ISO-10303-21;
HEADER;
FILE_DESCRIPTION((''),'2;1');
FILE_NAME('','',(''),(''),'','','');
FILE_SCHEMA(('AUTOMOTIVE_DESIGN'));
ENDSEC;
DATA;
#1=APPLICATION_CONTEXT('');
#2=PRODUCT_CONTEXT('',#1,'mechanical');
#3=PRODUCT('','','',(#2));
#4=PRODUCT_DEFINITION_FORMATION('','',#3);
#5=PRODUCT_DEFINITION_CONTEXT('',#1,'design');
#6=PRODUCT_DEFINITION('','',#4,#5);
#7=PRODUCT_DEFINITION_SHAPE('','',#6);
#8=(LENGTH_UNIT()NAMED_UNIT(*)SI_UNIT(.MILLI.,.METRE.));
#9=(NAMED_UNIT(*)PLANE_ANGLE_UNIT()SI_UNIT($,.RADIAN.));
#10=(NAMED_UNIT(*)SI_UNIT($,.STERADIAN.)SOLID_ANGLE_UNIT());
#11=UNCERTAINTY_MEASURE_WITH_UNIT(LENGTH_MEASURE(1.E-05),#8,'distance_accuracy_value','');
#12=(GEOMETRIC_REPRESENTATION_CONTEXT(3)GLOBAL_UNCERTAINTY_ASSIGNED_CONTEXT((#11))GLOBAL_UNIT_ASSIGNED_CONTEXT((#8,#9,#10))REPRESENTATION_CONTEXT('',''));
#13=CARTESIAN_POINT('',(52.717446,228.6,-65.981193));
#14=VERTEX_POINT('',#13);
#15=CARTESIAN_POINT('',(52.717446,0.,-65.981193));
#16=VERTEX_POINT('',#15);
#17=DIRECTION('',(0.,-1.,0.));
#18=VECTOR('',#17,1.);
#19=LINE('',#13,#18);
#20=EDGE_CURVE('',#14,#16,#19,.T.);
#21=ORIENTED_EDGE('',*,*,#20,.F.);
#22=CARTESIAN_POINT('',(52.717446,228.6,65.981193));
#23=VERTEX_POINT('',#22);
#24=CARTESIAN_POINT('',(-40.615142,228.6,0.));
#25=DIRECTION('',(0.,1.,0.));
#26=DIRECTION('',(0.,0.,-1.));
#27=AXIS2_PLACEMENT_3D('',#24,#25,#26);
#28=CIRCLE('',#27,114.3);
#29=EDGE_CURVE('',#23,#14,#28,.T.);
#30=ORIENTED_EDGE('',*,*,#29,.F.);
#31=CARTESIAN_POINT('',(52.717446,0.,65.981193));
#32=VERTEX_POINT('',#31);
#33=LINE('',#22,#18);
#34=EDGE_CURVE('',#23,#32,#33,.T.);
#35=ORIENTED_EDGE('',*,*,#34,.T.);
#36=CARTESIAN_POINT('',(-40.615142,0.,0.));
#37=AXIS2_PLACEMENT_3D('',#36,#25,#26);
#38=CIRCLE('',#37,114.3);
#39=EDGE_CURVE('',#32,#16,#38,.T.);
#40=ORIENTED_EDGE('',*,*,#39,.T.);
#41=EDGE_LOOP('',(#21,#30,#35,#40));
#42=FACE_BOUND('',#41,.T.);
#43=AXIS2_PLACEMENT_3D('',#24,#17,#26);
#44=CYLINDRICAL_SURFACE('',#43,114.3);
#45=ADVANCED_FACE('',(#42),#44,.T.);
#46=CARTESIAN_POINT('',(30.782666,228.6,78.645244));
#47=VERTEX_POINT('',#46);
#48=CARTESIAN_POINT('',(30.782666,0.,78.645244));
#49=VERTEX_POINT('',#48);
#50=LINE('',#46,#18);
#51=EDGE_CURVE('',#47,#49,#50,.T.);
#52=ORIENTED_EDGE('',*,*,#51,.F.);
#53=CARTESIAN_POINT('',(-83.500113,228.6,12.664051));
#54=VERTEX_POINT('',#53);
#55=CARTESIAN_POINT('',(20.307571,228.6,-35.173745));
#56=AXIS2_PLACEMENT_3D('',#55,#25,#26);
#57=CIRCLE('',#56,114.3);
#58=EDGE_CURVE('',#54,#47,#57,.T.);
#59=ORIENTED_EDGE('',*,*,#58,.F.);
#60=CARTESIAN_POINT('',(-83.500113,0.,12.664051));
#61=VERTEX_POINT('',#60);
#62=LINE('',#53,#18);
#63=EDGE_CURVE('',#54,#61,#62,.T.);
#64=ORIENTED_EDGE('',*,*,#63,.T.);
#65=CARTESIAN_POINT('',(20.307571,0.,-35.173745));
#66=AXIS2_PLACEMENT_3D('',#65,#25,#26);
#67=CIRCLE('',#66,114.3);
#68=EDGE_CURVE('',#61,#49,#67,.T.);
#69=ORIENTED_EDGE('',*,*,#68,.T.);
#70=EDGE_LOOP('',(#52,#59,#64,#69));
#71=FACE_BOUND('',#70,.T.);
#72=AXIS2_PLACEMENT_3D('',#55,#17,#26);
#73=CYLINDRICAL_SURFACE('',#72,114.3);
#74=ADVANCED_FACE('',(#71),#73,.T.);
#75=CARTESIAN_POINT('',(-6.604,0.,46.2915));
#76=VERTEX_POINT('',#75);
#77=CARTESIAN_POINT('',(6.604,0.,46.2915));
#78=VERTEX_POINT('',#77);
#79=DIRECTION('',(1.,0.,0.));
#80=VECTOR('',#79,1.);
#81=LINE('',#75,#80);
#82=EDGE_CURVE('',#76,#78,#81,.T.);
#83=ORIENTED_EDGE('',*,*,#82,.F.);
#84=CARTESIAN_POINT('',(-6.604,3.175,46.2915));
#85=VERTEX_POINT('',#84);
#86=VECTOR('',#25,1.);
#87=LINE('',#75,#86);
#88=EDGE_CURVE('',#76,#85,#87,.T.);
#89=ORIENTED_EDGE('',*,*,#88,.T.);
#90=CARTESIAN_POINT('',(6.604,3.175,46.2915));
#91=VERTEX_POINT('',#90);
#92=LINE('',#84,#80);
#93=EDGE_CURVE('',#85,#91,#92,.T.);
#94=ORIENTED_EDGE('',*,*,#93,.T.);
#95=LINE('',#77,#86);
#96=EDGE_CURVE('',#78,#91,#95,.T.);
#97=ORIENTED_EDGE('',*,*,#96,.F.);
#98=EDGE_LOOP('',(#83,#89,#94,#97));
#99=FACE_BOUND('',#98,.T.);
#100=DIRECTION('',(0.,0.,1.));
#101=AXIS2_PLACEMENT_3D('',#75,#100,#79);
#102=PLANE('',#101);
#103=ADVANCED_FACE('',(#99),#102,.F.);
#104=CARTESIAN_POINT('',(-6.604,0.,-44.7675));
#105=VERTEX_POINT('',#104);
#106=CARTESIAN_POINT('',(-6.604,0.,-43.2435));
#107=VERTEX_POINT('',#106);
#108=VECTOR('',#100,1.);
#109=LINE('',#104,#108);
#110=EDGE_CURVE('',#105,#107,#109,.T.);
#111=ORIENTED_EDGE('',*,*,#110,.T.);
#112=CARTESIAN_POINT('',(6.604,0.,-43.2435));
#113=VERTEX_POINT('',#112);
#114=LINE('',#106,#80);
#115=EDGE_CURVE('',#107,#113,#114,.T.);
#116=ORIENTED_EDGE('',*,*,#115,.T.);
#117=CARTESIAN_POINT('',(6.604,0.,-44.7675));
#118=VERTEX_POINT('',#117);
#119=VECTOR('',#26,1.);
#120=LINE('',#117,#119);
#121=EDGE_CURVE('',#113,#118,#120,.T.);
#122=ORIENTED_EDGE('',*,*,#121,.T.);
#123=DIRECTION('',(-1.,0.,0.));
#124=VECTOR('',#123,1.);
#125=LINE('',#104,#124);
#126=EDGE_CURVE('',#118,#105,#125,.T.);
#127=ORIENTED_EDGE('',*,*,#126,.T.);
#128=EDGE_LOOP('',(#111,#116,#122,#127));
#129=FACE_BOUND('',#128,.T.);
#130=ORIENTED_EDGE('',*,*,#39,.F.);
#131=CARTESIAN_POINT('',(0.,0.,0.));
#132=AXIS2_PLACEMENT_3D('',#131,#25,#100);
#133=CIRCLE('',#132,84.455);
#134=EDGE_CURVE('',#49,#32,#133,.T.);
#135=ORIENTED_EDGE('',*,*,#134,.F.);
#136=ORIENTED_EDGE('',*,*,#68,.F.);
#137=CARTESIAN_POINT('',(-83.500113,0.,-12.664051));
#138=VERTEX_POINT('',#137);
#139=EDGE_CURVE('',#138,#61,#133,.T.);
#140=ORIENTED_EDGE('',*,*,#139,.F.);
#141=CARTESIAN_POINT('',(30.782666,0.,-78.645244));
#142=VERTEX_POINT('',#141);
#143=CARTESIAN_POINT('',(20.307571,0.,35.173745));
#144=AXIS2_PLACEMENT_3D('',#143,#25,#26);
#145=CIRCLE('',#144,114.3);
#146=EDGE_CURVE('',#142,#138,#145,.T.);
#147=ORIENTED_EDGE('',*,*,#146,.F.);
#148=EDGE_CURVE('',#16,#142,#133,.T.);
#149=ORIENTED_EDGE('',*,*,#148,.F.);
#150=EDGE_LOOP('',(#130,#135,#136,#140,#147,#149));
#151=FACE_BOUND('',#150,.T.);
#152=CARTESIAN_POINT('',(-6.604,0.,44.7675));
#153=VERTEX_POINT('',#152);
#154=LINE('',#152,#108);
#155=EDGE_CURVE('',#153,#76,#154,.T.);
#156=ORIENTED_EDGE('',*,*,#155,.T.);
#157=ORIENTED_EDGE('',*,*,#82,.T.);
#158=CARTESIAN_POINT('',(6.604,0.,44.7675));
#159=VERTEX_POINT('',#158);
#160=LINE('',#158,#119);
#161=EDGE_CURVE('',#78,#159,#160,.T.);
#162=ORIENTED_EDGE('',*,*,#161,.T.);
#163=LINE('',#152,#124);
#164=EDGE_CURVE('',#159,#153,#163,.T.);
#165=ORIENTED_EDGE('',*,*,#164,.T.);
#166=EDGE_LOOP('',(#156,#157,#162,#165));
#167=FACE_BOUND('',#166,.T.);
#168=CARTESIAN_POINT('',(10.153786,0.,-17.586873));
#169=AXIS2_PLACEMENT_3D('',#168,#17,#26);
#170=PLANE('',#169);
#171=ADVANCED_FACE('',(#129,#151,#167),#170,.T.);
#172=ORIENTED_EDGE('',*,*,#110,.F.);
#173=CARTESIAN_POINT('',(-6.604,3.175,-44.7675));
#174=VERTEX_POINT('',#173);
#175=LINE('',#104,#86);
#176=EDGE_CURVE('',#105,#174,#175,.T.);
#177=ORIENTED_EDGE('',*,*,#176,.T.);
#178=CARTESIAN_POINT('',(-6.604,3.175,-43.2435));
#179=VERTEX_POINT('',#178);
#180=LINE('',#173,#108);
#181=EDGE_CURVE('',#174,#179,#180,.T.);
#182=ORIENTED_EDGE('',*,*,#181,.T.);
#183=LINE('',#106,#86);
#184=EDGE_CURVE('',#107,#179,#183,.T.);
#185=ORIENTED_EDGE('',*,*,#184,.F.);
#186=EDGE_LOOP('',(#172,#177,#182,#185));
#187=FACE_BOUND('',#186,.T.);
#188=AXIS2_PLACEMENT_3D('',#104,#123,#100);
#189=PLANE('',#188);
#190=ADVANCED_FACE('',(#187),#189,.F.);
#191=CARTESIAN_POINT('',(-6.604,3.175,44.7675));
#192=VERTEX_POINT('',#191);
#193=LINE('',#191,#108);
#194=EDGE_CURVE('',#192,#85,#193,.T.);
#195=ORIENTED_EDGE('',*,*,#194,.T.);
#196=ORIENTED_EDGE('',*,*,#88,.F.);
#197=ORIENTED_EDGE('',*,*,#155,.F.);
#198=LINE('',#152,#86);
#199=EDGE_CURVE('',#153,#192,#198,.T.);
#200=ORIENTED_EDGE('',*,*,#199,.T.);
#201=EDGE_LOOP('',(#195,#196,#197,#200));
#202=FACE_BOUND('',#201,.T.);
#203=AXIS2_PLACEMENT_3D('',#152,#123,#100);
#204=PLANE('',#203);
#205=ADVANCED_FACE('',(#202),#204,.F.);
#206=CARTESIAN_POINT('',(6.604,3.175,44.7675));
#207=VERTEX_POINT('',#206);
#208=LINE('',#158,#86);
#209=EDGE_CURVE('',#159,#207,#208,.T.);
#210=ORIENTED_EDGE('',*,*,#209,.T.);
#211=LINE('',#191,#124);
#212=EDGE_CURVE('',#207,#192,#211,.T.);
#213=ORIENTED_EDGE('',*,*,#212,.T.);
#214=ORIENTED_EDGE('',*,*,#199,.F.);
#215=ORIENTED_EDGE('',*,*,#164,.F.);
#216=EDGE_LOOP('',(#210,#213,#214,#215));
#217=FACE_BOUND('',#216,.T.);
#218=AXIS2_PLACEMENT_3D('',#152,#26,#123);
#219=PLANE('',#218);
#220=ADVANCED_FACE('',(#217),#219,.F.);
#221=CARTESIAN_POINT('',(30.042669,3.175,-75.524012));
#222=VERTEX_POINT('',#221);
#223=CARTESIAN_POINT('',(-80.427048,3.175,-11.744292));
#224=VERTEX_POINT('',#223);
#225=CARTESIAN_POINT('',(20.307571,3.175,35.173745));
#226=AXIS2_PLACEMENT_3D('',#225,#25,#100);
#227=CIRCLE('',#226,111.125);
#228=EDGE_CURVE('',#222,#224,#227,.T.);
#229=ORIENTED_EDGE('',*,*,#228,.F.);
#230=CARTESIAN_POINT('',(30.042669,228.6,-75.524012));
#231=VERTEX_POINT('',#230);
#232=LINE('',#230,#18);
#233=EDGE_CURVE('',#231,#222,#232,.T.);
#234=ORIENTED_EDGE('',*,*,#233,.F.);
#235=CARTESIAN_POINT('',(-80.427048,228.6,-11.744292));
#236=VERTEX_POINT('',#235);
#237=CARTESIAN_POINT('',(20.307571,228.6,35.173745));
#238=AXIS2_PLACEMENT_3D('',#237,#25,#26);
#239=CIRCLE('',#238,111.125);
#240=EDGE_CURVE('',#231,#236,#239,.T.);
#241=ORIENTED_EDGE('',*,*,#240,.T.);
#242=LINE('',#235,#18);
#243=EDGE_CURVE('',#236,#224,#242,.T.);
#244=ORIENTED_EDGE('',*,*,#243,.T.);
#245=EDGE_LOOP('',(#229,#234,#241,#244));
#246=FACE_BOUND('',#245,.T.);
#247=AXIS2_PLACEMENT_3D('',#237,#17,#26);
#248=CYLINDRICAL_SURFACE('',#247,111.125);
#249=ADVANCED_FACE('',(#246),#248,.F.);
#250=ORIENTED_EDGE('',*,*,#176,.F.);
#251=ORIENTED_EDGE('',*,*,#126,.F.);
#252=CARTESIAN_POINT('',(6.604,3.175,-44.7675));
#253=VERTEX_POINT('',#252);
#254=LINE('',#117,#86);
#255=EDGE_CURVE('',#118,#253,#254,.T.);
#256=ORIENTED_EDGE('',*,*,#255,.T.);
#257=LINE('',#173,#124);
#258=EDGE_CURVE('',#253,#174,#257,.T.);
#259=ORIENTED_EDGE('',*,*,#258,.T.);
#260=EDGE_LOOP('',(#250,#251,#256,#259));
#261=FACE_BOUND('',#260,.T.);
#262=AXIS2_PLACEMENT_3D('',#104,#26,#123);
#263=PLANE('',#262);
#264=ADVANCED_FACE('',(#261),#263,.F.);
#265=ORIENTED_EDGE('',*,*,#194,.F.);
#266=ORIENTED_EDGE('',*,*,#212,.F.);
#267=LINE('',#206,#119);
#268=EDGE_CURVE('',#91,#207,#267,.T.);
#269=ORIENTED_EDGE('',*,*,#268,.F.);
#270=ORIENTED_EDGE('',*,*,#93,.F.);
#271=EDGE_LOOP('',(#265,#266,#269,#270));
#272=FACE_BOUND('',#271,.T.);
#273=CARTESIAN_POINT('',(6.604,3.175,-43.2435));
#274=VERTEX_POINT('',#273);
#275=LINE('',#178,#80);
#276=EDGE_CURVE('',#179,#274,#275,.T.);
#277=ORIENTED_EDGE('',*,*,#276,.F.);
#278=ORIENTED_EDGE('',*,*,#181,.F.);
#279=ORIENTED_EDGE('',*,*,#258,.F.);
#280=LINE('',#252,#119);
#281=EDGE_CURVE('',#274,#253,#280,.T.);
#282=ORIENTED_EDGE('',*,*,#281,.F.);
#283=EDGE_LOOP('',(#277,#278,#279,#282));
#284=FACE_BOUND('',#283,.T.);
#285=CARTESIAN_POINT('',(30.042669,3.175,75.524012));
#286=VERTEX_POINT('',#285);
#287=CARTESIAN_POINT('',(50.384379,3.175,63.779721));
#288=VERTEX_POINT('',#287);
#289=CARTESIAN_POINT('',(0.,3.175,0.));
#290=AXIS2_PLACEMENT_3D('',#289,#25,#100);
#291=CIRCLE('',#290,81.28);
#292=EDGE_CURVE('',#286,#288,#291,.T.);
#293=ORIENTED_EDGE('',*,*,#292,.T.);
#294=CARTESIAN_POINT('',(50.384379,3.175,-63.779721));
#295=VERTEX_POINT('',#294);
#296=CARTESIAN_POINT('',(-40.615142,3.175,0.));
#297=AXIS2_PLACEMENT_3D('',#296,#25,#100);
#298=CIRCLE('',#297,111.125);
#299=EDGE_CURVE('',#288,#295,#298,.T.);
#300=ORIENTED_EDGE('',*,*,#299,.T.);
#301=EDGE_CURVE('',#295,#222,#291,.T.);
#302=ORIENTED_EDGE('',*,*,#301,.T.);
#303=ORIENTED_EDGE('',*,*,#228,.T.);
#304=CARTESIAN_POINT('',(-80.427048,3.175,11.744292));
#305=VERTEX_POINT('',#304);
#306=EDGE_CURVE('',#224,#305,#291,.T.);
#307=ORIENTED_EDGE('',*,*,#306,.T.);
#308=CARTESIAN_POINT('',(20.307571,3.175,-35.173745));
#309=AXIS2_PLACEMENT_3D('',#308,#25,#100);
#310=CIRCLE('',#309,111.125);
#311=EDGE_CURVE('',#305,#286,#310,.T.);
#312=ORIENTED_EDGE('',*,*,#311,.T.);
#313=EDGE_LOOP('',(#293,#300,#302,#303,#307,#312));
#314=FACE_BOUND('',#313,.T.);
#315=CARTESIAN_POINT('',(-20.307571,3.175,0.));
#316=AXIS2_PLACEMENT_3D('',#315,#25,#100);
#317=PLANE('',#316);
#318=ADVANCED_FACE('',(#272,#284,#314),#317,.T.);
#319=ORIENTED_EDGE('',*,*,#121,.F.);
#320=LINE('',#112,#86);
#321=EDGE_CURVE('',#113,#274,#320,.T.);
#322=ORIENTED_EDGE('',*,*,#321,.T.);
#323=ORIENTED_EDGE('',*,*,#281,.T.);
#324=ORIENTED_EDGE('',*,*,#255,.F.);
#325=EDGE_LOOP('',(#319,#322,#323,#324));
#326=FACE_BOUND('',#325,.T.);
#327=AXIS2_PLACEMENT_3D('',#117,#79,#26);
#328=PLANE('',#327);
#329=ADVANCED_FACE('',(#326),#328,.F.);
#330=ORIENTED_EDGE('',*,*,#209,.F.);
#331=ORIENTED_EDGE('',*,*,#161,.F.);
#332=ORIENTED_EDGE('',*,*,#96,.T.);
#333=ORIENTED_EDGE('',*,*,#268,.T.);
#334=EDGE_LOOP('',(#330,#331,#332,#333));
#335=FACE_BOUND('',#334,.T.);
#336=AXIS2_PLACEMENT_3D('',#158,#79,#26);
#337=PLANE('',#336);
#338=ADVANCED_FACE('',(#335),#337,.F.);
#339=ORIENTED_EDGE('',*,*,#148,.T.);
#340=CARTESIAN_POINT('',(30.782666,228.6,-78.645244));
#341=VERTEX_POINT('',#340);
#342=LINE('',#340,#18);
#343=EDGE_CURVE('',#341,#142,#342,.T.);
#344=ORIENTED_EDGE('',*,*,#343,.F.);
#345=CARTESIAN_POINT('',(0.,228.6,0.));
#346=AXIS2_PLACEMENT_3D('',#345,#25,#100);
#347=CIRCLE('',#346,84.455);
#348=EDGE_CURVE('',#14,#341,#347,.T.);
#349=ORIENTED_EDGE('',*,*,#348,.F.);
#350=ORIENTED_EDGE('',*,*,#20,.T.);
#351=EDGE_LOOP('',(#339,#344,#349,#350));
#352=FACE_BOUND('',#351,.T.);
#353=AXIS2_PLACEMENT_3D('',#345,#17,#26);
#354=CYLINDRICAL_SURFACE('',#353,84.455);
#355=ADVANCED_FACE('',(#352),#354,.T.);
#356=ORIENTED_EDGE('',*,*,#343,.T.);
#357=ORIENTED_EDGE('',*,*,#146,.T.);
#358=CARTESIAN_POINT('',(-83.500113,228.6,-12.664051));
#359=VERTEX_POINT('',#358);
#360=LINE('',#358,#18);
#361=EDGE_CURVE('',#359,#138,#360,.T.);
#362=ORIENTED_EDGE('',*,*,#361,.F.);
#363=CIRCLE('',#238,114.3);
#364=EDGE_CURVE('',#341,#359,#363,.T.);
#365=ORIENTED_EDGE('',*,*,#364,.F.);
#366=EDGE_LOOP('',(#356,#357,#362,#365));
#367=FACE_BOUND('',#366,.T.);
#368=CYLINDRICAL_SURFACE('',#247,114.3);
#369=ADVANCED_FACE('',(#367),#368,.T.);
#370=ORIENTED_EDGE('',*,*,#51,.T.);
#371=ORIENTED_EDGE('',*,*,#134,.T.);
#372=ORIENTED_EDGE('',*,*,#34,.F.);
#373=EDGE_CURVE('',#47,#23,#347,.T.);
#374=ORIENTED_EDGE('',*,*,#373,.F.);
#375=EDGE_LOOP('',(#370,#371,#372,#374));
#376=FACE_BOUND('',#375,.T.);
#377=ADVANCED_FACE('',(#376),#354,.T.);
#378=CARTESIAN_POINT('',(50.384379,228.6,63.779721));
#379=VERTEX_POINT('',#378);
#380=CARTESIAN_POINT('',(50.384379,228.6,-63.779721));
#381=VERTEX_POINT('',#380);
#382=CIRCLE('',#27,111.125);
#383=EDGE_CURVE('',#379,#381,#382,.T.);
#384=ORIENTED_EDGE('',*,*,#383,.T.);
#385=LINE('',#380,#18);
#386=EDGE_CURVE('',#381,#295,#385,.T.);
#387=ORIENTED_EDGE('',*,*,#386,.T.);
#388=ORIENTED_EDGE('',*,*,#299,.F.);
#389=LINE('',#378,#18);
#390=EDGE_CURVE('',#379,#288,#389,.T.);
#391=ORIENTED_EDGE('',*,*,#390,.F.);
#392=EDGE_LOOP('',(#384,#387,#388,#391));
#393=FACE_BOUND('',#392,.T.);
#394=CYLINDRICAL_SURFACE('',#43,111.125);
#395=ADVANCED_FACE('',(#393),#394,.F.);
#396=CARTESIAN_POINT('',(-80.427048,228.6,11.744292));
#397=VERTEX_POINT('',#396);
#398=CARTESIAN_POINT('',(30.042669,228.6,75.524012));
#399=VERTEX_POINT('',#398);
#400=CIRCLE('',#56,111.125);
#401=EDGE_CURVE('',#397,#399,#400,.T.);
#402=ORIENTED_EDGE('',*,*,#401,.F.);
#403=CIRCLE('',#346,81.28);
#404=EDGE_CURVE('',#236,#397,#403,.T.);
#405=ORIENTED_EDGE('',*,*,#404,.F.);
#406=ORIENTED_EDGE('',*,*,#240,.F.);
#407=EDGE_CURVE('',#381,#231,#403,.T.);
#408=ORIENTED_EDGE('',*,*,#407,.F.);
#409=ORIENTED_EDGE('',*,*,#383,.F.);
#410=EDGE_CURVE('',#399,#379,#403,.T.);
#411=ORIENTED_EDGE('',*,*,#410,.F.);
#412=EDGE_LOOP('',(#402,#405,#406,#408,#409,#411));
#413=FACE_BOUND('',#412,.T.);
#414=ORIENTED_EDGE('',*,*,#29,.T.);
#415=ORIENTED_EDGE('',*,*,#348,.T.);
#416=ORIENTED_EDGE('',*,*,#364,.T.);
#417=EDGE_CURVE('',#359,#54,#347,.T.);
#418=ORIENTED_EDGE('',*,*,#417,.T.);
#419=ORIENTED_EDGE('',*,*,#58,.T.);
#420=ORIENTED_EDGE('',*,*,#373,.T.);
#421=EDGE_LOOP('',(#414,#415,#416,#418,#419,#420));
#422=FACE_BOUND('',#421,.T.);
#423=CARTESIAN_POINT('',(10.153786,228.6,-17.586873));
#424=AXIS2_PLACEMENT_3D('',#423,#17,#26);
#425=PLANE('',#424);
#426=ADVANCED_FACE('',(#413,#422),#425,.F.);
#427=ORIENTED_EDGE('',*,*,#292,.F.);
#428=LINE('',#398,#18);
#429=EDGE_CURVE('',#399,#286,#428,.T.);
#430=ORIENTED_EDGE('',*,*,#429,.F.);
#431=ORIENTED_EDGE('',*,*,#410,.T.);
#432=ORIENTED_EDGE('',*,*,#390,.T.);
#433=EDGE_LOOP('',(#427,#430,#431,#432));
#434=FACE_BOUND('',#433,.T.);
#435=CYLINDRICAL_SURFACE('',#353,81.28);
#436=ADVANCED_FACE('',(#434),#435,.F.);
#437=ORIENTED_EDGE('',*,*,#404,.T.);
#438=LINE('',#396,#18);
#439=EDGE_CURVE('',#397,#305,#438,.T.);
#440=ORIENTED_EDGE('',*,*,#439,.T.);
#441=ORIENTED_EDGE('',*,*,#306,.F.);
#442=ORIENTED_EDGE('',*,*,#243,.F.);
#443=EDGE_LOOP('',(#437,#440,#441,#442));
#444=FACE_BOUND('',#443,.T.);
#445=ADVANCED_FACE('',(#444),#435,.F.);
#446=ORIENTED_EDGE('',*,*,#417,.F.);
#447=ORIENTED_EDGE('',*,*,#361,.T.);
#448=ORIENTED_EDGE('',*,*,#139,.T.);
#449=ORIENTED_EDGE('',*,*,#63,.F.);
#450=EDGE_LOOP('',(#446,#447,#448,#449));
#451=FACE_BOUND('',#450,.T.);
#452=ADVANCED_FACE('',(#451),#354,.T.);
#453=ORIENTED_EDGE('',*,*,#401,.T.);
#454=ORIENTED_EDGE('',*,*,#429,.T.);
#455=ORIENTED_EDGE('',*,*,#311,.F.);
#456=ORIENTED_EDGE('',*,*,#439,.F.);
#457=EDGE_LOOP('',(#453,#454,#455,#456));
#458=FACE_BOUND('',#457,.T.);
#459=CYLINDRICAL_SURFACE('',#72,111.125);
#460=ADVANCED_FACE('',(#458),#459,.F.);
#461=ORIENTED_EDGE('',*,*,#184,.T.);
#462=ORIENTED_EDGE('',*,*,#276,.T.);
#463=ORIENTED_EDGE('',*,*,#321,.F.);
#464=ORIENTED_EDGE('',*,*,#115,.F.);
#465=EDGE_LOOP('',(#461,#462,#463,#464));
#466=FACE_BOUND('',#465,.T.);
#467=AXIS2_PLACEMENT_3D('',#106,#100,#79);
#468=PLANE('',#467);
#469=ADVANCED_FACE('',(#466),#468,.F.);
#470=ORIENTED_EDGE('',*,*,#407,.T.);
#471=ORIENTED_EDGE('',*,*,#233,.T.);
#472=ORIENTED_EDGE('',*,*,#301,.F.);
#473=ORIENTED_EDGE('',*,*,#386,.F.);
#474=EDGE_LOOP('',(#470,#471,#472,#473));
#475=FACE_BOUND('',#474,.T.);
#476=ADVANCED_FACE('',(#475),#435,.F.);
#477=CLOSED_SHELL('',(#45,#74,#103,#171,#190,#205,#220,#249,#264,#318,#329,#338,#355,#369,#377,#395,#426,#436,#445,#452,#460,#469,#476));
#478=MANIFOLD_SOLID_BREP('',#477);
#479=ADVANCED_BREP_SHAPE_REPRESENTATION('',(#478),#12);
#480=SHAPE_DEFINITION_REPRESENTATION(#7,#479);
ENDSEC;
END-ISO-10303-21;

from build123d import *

# Parameters (mm, degrees)
SIDES_THE_GAP_VALUE_CAN_BE_CHANGED_DEPTH      = 228.6
BASE_DEPTH                                    = 3.175
SKETCH8_W                                     = 13.208
SKETCH8_H                                     = 1.524
SHOCK_CORD_CUTS_CAN_BE_MOVED_CURRENT_DI_DEPTH = 4.175


with BuildPart() as part:
    # Sketch3 → Sides (the gap value can be changed) (new body)
    with BuildSketch(Plane(origin=(0, 0, 0), x_dir=(1, 0, 0), z_dir=(0, 1, 0))):
        with BuildLine():
            ThreePointArc((-83.500112782, 12.664051105), (-84.455, 0), (-83.500112782, -12.664051105))
            ThreePointArc((-83.500112782, -12.664051105), (-36.842428798, -63.812958552), (30.782666419, -78.645244441))
            ThreePointArc((30.782666419, -78.645244441), (42.2275, -73.140175477), (52.717446363, -65.981193335))
            ThreePointArc((52.717446363, -65.981193335), (73.684857596, 0), (52.717446363, 65.981193335))
            ThreePointArc((52.717446363, 65.981193335), (42.2275, 73.140175477), (30.782666419, 78.645244441))
            ThreePointArc((30.782666419, 78.645244441), (-36.842428798, 63.812958552), (-83.500112782, 12.664051105))
        make_face()
        with BuildLine():
            ThreePointArc((50.384378709, 63.779720775), (70.509857596, 0), (50.384378709, -63.779720775))
            ThreePointArc((50.384378709, -63.779720775), (40.64, -70.39054482), (30.042669082, -75.524012303))
            ThreePointArc((30.042669082, -75.524012303), (-35.254928798, -61.063327895), (-80.427047792, -11.744291529))
            ThreePointArc((-80.427047792, -11.744291529), (-81.28, 0), (-80.427047792, 11.744291529))
            ThreePointArc((-80.427047792, 11.744291529), (-35.254928798, 61.063327895), (30.042669082, 75.524012303))
            ThreePointArc((30.042669082, 75.524012303), (40.64, 70.39054482), (50.384378709, 63.779720775))
        make_face(mode=Mode.SUBTRACT)
    extrude(amount=SIDES_THE_GAP_VALUE_CAN_BE_CHANGED_DEPTH)

    # Sketch7 → base (add)
    with BuildSketch(Plane(origin=(0, 0, 0), x_dir=(1, 0, 0), z_dir=(0, 1, 0))):
        with BuildLine():
            ThreePointArc((50.384378709, 63.779720775), (40.64, 70.39054482), (30.042669082, 75.524012303))
            ThreePointArc((30.042669082, 75.524012303), (-35.254928798, 61.063327895), (-80.427047792, 11.744291529))
            ThreePointArc((-80.427047792, 11.744291529), (-81.28, 0), (-80.427047792, -11.744291529))
            ThreePointArc((-80.427047792, -11.744291529), (-35.254928798, -61.063327895), (30.042669082, -75.524012303))
            ThreePointArc((30.042669082, -75.524012303), (40.64, -70.39054482), (50.384378709, -63.779720775))
            ThreePointArc((50.384378709, -63.779720775), (70.509857596, 0), (50.384378709, 63.779720775))
        make_face()
    extrude(amount=BASE_DEPTH)

    # Sketch8 → Shock cord cuts(Can be moved, current dim arbitrary) (cut, through all)
    with BuildSketch(Plane(origin=(0, 3.175, 0), x_dir=(1, 0, 0), z_dir=(0, 1, 0))):
        with Locations((0, 44.0055)):
            Rectangle(SKETCH8_W, SKETCH8_H)
        with Locations((0, -45.5295)):
            Rectangle(SKETCH8_W, SKETCH8_H)
    extrude(amount=-SHOCK_CORD_CUTS_CAN_BE_MOVED_CURRENT_DI_DEPTH, mode=Mode.SUBTRACT)


solid = part.part
